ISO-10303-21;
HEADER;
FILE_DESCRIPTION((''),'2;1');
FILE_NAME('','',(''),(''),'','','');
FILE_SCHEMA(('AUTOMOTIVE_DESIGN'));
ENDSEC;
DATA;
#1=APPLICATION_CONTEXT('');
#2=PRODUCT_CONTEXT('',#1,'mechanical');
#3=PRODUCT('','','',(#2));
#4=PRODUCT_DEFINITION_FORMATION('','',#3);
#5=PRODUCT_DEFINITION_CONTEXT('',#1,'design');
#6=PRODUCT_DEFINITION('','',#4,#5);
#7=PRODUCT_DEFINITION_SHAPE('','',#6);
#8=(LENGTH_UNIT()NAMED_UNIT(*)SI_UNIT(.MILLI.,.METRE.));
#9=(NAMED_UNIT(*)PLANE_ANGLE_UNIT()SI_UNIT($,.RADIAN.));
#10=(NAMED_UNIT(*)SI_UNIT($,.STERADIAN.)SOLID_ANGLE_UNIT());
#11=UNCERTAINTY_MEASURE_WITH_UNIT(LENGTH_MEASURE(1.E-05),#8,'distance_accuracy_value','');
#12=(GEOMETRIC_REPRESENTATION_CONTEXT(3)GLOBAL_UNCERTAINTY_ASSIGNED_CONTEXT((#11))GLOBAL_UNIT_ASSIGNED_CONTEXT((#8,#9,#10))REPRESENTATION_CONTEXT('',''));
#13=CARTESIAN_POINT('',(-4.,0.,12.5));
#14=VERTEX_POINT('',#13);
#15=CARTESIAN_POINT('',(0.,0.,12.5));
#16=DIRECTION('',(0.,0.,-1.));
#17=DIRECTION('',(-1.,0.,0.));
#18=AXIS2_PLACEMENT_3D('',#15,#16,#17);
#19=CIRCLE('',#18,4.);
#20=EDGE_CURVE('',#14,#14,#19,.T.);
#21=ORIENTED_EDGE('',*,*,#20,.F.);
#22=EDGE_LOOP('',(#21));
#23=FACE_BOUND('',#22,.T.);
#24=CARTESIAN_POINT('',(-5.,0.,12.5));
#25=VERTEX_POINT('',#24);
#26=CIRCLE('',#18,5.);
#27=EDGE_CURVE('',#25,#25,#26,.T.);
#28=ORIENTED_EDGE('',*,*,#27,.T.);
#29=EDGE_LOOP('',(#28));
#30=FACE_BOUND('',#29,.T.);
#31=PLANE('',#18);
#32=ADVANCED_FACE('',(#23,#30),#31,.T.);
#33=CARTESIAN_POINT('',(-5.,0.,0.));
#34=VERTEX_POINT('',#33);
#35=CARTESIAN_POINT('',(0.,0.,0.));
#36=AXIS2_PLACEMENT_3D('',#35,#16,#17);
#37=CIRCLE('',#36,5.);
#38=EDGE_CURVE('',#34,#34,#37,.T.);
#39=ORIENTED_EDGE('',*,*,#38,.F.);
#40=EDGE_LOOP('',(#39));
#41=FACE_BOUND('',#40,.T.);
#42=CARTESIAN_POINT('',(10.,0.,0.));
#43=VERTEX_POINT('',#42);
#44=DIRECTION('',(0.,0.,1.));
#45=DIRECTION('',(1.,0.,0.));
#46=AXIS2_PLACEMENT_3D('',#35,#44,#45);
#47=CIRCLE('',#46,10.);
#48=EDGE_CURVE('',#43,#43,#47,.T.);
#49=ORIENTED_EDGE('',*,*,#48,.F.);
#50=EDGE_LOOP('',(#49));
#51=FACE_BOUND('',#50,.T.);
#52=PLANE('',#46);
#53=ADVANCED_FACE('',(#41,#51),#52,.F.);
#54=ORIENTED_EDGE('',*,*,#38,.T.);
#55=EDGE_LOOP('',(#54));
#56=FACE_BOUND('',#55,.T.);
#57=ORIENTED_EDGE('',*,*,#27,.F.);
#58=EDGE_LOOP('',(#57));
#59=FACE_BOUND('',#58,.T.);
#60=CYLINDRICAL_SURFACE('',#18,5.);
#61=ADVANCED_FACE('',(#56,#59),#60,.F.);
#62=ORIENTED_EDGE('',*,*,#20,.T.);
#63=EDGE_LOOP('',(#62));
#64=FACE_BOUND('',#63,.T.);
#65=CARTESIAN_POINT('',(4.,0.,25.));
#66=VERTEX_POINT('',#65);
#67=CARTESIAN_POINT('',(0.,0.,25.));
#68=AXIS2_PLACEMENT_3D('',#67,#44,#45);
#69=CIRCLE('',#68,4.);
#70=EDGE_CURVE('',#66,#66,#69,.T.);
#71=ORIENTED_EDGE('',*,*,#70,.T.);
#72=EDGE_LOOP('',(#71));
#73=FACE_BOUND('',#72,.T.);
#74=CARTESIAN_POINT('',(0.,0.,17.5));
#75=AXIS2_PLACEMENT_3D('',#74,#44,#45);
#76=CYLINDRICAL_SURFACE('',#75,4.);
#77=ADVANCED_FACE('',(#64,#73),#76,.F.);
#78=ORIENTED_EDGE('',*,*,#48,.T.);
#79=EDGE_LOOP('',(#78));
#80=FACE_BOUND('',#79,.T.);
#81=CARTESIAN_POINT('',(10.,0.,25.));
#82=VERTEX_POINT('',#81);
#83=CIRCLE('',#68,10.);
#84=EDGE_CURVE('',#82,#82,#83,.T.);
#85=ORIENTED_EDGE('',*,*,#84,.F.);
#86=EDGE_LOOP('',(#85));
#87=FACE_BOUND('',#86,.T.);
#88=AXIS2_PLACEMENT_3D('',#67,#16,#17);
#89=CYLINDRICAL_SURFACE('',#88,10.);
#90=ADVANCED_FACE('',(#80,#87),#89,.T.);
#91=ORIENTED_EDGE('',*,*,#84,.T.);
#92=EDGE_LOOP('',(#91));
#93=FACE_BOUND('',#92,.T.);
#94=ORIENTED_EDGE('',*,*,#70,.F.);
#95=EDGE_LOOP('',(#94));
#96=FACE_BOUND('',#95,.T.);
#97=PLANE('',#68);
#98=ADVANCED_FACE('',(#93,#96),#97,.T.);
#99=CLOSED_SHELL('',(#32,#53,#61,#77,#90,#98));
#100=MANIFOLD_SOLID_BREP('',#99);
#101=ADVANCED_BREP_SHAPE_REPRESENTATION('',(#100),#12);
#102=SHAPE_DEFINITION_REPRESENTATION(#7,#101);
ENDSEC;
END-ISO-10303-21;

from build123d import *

# Parameters (mm, degrees)
SKETCH_1_R          = 10
EXTRUDE_1_DEPTH     = 25
SKETCH_3_R          = 4
CUT_EXTRUDE_1_DEPTH = 7.5
SKETCH_4_R          = 5
CUT_EXTRUDE_2_DEPTH = 12.5
SKETCH_5_R          = 4
CUT_EXTRUDE_3_DEPTH = 23.5


with BuildPart() as part:
    # 草图1 → 凸台-拉伸1 (new body)
    with BuildSketch(Plane.XY):
        Circle(SKETCH_1_R)
    extrude(amount=EXTRUDE_1_DEPTH)

    # 草图3 → 切除-拉伸1 (cut)
    with BuildSketch(Plane.XY.offset(25)):
        Circle(SKETCH_3_R)
    extrude(amount=-CUT_EXTRUDE_1_DEPTH, mode=Mode.SUBTRACT)

    # 草图4 → 切除-拉伸2 (cut)
    with BuildSketch(Plane(origin=(0, 0, 0), x_dir=(-1, 0, 0), z_dir=(0, 0, -1))):
        Circle(SKETCH_4_R)
    extrude(amount=-CUT_EXTRUDE_2_DEPTH, mode=Mode.SUBTRACT)

    # 草图5 → 切除-拉伸3 (cut, through all)
    with BuildSketch(Plane.XY.offset(17.5)):
        Circle(SKETCH_5_R)
    extrude(amount=-CUT_EXTRUDE_3_DEPTH, mode=Mode.SUBTRACT)


solid = part.part
